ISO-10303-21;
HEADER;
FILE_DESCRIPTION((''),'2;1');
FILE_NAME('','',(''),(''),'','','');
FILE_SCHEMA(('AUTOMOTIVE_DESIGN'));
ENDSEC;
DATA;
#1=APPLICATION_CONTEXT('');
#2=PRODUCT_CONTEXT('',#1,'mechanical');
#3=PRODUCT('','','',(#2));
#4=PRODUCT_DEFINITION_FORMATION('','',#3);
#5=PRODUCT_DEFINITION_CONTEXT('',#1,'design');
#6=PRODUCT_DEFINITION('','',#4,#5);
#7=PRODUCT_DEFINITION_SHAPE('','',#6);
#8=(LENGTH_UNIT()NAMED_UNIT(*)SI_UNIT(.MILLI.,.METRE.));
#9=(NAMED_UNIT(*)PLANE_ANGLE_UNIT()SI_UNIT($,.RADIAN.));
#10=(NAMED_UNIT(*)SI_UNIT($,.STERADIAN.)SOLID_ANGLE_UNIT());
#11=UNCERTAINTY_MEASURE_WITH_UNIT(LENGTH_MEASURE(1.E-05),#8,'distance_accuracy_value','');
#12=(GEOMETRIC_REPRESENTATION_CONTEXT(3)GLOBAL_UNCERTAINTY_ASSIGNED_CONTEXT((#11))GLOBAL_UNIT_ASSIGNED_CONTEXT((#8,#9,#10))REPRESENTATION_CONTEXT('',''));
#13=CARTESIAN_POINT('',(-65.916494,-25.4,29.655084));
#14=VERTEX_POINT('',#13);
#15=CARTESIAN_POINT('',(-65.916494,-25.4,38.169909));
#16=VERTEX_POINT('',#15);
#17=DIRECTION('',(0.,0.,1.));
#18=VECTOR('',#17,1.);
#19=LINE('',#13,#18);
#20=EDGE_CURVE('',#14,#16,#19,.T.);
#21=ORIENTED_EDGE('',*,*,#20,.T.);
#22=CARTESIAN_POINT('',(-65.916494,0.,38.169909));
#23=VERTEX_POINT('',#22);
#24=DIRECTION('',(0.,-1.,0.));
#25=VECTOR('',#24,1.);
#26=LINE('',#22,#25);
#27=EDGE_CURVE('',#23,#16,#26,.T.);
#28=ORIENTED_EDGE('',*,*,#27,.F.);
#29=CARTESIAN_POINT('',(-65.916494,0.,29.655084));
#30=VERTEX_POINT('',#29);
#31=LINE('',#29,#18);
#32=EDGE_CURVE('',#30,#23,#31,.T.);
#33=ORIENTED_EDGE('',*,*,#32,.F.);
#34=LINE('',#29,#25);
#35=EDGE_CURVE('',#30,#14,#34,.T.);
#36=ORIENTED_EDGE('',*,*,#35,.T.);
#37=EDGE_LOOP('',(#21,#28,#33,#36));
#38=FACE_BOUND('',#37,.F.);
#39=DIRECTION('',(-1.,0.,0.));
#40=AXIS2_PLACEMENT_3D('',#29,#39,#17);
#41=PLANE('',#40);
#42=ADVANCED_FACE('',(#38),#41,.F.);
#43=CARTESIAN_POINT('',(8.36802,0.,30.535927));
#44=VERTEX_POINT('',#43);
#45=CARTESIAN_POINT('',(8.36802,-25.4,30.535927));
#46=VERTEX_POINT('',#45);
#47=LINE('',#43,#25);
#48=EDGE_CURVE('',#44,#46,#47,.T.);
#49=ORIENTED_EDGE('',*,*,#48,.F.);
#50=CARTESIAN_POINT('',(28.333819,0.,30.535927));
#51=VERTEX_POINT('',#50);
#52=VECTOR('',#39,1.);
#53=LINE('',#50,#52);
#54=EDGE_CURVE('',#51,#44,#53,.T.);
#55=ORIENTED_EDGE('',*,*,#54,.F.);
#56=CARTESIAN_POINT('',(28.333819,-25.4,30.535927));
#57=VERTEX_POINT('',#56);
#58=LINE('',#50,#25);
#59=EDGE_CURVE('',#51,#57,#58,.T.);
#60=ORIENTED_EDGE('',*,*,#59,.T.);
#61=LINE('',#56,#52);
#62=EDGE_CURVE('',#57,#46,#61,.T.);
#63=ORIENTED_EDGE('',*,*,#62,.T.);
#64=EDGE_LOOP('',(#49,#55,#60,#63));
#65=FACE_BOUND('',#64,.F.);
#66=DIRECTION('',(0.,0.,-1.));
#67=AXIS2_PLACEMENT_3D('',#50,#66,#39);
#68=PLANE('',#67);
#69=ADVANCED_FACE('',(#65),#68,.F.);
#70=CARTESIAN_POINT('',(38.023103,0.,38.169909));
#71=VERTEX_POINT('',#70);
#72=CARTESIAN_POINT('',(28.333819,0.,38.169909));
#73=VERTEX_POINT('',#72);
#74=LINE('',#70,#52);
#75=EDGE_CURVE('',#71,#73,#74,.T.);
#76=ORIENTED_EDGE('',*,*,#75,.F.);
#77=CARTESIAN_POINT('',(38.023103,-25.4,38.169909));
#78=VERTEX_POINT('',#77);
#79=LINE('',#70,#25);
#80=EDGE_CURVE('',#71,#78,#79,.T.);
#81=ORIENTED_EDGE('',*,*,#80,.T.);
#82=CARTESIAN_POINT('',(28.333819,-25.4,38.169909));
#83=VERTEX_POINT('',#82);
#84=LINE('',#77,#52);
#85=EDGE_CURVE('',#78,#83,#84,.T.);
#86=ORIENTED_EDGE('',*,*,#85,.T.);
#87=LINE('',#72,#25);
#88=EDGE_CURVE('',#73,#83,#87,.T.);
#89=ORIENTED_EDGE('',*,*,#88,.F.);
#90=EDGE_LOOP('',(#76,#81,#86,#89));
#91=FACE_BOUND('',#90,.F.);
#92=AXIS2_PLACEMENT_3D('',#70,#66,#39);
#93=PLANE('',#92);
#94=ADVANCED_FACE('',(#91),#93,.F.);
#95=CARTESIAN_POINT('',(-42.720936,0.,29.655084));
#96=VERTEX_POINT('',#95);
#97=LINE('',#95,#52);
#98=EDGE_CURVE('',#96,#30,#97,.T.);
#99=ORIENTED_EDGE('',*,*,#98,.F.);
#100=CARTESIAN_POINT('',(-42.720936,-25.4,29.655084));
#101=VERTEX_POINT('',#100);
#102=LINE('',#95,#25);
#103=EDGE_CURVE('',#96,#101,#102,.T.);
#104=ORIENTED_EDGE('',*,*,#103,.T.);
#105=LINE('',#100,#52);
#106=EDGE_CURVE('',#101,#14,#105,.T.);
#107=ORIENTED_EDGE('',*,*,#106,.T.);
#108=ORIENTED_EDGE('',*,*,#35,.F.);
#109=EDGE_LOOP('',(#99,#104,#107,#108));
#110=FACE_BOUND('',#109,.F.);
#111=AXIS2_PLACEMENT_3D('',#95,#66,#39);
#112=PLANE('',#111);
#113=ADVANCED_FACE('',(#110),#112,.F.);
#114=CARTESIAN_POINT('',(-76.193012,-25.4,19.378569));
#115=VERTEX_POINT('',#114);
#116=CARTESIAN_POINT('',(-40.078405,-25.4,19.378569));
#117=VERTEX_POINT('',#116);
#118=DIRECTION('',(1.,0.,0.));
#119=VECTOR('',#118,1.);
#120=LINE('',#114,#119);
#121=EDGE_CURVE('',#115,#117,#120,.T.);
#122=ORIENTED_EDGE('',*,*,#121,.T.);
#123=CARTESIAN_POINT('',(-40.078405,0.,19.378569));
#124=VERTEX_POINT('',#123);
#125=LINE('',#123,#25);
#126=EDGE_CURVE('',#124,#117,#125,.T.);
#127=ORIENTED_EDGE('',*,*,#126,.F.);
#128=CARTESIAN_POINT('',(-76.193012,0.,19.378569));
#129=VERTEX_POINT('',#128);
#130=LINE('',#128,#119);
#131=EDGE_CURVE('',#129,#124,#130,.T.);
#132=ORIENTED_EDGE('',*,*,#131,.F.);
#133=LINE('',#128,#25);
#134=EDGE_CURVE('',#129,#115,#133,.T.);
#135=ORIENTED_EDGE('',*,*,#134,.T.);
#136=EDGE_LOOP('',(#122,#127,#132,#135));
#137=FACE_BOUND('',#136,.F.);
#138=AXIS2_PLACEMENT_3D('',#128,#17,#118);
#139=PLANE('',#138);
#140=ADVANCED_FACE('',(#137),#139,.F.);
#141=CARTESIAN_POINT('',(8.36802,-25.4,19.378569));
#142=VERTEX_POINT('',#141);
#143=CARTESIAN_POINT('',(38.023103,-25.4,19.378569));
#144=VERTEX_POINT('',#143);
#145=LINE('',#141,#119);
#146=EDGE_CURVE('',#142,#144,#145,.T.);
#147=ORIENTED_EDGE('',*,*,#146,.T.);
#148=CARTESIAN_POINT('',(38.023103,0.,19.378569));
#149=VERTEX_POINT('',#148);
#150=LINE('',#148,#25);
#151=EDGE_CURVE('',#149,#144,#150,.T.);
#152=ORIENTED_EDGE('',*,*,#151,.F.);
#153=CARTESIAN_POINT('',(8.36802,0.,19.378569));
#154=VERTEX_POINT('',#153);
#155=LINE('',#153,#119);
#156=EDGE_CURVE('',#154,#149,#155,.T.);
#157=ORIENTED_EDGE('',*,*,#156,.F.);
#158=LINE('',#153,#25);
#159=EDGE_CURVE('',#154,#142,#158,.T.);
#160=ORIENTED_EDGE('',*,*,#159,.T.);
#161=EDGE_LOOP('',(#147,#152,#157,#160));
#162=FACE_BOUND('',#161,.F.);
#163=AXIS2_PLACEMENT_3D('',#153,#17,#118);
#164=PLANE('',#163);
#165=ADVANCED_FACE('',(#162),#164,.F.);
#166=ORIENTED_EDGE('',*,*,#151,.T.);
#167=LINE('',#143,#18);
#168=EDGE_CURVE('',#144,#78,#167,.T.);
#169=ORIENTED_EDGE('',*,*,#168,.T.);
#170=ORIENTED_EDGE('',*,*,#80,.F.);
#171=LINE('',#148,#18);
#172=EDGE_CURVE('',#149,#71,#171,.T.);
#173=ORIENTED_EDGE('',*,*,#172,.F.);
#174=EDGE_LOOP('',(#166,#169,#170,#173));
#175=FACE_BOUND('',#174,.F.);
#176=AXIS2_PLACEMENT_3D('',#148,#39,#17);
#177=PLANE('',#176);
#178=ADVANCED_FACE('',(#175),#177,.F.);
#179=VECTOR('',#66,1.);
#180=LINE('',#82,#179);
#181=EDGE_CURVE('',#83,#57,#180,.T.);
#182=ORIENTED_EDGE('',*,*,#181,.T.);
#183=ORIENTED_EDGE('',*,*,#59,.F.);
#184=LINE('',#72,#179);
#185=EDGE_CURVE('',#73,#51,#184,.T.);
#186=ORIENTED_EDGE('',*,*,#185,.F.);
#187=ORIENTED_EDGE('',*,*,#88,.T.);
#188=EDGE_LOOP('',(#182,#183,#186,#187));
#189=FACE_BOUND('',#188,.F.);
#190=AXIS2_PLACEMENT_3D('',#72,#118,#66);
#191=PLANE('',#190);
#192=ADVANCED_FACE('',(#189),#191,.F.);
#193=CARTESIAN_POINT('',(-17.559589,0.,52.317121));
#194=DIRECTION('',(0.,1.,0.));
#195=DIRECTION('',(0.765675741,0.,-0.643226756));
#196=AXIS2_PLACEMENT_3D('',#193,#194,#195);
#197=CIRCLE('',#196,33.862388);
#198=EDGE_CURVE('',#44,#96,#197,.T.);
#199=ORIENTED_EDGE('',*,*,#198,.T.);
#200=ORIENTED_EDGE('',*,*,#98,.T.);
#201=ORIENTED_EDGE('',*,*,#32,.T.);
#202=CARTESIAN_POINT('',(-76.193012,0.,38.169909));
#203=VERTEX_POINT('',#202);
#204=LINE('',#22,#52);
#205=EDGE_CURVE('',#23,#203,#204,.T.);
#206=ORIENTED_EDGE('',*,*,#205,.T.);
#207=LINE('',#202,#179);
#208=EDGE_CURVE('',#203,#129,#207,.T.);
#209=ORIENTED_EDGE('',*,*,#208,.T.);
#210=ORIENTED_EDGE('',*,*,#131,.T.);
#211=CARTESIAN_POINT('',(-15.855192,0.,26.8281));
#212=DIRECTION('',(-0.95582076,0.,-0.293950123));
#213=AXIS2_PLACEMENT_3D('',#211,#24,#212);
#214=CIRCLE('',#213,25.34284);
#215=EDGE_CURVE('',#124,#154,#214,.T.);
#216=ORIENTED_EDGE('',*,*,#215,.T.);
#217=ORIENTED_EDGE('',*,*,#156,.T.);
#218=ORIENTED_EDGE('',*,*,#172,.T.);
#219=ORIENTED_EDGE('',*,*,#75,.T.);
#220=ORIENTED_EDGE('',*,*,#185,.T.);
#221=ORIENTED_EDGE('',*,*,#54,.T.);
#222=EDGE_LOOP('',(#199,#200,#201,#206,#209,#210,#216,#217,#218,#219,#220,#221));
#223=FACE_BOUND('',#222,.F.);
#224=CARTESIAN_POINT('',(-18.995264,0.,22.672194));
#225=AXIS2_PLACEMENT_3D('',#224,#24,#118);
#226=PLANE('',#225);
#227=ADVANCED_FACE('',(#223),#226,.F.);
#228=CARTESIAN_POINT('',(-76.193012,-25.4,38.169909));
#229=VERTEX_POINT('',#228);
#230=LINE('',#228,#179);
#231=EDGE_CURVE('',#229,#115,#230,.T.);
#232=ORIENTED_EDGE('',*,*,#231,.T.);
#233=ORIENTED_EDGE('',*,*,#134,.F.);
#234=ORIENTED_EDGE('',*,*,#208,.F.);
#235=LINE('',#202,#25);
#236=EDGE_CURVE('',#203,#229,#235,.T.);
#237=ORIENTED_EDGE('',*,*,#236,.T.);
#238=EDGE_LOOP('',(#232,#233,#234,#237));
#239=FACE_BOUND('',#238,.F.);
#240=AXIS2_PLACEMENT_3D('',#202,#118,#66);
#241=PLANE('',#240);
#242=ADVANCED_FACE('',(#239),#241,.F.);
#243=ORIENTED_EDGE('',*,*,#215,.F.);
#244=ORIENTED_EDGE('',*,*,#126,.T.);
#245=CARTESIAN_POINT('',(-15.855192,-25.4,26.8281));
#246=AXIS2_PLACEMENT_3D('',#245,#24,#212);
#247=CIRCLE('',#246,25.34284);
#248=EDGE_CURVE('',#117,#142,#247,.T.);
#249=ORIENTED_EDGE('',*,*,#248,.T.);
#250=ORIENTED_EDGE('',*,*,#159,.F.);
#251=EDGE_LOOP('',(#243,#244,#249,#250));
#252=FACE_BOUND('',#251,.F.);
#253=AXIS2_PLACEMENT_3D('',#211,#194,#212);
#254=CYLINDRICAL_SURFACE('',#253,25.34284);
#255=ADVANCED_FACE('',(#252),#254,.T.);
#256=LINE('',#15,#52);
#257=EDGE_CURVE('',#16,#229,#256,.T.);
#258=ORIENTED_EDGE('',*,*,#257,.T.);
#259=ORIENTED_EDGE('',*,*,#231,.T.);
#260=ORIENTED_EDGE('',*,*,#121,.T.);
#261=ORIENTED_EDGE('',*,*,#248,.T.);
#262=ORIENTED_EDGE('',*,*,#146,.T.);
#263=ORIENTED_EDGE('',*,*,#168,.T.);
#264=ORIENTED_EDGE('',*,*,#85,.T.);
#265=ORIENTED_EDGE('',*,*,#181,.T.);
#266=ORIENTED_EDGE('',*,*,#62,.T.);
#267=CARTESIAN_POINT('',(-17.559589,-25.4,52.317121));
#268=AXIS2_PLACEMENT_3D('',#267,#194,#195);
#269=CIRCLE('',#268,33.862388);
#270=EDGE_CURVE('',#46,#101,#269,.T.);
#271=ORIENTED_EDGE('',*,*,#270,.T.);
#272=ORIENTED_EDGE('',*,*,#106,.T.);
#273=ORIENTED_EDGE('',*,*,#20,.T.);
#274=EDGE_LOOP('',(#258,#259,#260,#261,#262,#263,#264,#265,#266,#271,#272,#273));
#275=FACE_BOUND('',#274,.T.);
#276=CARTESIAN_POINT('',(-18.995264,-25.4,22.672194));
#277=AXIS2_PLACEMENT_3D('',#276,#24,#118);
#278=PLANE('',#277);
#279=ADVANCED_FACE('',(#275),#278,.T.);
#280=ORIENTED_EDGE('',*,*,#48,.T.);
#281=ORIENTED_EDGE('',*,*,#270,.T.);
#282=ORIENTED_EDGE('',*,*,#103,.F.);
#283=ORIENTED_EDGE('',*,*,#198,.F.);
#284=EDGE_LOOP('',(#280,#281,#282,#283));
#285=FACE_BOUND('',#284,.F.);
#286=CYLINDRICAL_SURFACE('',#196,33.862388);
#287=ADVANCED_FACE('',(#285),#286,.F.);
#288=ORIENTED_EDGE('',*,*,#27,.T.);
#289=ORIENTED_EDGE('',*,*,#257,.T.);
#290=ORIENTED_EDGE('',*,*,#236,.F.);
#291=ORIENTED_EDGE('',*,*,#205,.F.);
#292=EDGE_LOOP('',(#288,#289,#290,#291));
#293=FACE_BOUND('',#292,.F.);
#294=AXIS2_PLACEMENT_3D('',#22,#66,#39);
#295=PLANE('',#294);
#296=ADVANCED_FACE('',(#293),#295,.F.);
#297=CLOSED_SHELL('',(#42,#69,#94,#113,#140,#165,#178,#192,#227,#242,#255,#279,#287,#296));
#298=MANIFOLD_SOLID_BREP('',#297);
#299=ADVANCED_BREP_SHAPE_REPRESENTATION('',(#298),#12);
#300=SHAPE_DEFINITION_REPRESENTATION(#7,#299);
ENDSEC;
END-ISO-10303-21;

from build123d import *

# Parameters (mm, degrees)
F1_DEPTH = 25.4


with BuildPart() as f1:
    # F0 (on Front) → F1 (new body)
    with BuildSketch(Plane.XZ):
        with BuildLine():
            Line((-65.916494, 38.169909), (-76.193012, 38.169909))
            Line((-76.193012, 38.169909), (-76.193012, 19.378569))
            Line((-76.193012, 19.378569), (-40.078405, 19.378569))
            ThreePointArc((-40.078405, 19.378569), (-15.855193, 1.48526), (8.36802, 19.378569))
            Line((8.36802, 19.378569), (38.023103, 19.378569))
            Line((38.023103, 19.378569), (38.023103, 38.169909))
            Line((38.023103, 38.169909), (28.333819, 38.169909))
            Line((28.333819, 38.169909), (28.333819, 30.535927))
            Line((28.333819, 30.535927), (8.36802, 30.535927))
            ThreePointArc((8.36802, 30.535927), (-16.975842, 18.459765), (-42.720936, 29.655084))
            Line((-42.720936, 29.655084), (-65.916494, 29.655084))
            Line((-65.916494, 29.655084), (-65.916494, 38.169909))
        make_face()
    extrude(amount=F1_DEPTH)


solid = f1.part
